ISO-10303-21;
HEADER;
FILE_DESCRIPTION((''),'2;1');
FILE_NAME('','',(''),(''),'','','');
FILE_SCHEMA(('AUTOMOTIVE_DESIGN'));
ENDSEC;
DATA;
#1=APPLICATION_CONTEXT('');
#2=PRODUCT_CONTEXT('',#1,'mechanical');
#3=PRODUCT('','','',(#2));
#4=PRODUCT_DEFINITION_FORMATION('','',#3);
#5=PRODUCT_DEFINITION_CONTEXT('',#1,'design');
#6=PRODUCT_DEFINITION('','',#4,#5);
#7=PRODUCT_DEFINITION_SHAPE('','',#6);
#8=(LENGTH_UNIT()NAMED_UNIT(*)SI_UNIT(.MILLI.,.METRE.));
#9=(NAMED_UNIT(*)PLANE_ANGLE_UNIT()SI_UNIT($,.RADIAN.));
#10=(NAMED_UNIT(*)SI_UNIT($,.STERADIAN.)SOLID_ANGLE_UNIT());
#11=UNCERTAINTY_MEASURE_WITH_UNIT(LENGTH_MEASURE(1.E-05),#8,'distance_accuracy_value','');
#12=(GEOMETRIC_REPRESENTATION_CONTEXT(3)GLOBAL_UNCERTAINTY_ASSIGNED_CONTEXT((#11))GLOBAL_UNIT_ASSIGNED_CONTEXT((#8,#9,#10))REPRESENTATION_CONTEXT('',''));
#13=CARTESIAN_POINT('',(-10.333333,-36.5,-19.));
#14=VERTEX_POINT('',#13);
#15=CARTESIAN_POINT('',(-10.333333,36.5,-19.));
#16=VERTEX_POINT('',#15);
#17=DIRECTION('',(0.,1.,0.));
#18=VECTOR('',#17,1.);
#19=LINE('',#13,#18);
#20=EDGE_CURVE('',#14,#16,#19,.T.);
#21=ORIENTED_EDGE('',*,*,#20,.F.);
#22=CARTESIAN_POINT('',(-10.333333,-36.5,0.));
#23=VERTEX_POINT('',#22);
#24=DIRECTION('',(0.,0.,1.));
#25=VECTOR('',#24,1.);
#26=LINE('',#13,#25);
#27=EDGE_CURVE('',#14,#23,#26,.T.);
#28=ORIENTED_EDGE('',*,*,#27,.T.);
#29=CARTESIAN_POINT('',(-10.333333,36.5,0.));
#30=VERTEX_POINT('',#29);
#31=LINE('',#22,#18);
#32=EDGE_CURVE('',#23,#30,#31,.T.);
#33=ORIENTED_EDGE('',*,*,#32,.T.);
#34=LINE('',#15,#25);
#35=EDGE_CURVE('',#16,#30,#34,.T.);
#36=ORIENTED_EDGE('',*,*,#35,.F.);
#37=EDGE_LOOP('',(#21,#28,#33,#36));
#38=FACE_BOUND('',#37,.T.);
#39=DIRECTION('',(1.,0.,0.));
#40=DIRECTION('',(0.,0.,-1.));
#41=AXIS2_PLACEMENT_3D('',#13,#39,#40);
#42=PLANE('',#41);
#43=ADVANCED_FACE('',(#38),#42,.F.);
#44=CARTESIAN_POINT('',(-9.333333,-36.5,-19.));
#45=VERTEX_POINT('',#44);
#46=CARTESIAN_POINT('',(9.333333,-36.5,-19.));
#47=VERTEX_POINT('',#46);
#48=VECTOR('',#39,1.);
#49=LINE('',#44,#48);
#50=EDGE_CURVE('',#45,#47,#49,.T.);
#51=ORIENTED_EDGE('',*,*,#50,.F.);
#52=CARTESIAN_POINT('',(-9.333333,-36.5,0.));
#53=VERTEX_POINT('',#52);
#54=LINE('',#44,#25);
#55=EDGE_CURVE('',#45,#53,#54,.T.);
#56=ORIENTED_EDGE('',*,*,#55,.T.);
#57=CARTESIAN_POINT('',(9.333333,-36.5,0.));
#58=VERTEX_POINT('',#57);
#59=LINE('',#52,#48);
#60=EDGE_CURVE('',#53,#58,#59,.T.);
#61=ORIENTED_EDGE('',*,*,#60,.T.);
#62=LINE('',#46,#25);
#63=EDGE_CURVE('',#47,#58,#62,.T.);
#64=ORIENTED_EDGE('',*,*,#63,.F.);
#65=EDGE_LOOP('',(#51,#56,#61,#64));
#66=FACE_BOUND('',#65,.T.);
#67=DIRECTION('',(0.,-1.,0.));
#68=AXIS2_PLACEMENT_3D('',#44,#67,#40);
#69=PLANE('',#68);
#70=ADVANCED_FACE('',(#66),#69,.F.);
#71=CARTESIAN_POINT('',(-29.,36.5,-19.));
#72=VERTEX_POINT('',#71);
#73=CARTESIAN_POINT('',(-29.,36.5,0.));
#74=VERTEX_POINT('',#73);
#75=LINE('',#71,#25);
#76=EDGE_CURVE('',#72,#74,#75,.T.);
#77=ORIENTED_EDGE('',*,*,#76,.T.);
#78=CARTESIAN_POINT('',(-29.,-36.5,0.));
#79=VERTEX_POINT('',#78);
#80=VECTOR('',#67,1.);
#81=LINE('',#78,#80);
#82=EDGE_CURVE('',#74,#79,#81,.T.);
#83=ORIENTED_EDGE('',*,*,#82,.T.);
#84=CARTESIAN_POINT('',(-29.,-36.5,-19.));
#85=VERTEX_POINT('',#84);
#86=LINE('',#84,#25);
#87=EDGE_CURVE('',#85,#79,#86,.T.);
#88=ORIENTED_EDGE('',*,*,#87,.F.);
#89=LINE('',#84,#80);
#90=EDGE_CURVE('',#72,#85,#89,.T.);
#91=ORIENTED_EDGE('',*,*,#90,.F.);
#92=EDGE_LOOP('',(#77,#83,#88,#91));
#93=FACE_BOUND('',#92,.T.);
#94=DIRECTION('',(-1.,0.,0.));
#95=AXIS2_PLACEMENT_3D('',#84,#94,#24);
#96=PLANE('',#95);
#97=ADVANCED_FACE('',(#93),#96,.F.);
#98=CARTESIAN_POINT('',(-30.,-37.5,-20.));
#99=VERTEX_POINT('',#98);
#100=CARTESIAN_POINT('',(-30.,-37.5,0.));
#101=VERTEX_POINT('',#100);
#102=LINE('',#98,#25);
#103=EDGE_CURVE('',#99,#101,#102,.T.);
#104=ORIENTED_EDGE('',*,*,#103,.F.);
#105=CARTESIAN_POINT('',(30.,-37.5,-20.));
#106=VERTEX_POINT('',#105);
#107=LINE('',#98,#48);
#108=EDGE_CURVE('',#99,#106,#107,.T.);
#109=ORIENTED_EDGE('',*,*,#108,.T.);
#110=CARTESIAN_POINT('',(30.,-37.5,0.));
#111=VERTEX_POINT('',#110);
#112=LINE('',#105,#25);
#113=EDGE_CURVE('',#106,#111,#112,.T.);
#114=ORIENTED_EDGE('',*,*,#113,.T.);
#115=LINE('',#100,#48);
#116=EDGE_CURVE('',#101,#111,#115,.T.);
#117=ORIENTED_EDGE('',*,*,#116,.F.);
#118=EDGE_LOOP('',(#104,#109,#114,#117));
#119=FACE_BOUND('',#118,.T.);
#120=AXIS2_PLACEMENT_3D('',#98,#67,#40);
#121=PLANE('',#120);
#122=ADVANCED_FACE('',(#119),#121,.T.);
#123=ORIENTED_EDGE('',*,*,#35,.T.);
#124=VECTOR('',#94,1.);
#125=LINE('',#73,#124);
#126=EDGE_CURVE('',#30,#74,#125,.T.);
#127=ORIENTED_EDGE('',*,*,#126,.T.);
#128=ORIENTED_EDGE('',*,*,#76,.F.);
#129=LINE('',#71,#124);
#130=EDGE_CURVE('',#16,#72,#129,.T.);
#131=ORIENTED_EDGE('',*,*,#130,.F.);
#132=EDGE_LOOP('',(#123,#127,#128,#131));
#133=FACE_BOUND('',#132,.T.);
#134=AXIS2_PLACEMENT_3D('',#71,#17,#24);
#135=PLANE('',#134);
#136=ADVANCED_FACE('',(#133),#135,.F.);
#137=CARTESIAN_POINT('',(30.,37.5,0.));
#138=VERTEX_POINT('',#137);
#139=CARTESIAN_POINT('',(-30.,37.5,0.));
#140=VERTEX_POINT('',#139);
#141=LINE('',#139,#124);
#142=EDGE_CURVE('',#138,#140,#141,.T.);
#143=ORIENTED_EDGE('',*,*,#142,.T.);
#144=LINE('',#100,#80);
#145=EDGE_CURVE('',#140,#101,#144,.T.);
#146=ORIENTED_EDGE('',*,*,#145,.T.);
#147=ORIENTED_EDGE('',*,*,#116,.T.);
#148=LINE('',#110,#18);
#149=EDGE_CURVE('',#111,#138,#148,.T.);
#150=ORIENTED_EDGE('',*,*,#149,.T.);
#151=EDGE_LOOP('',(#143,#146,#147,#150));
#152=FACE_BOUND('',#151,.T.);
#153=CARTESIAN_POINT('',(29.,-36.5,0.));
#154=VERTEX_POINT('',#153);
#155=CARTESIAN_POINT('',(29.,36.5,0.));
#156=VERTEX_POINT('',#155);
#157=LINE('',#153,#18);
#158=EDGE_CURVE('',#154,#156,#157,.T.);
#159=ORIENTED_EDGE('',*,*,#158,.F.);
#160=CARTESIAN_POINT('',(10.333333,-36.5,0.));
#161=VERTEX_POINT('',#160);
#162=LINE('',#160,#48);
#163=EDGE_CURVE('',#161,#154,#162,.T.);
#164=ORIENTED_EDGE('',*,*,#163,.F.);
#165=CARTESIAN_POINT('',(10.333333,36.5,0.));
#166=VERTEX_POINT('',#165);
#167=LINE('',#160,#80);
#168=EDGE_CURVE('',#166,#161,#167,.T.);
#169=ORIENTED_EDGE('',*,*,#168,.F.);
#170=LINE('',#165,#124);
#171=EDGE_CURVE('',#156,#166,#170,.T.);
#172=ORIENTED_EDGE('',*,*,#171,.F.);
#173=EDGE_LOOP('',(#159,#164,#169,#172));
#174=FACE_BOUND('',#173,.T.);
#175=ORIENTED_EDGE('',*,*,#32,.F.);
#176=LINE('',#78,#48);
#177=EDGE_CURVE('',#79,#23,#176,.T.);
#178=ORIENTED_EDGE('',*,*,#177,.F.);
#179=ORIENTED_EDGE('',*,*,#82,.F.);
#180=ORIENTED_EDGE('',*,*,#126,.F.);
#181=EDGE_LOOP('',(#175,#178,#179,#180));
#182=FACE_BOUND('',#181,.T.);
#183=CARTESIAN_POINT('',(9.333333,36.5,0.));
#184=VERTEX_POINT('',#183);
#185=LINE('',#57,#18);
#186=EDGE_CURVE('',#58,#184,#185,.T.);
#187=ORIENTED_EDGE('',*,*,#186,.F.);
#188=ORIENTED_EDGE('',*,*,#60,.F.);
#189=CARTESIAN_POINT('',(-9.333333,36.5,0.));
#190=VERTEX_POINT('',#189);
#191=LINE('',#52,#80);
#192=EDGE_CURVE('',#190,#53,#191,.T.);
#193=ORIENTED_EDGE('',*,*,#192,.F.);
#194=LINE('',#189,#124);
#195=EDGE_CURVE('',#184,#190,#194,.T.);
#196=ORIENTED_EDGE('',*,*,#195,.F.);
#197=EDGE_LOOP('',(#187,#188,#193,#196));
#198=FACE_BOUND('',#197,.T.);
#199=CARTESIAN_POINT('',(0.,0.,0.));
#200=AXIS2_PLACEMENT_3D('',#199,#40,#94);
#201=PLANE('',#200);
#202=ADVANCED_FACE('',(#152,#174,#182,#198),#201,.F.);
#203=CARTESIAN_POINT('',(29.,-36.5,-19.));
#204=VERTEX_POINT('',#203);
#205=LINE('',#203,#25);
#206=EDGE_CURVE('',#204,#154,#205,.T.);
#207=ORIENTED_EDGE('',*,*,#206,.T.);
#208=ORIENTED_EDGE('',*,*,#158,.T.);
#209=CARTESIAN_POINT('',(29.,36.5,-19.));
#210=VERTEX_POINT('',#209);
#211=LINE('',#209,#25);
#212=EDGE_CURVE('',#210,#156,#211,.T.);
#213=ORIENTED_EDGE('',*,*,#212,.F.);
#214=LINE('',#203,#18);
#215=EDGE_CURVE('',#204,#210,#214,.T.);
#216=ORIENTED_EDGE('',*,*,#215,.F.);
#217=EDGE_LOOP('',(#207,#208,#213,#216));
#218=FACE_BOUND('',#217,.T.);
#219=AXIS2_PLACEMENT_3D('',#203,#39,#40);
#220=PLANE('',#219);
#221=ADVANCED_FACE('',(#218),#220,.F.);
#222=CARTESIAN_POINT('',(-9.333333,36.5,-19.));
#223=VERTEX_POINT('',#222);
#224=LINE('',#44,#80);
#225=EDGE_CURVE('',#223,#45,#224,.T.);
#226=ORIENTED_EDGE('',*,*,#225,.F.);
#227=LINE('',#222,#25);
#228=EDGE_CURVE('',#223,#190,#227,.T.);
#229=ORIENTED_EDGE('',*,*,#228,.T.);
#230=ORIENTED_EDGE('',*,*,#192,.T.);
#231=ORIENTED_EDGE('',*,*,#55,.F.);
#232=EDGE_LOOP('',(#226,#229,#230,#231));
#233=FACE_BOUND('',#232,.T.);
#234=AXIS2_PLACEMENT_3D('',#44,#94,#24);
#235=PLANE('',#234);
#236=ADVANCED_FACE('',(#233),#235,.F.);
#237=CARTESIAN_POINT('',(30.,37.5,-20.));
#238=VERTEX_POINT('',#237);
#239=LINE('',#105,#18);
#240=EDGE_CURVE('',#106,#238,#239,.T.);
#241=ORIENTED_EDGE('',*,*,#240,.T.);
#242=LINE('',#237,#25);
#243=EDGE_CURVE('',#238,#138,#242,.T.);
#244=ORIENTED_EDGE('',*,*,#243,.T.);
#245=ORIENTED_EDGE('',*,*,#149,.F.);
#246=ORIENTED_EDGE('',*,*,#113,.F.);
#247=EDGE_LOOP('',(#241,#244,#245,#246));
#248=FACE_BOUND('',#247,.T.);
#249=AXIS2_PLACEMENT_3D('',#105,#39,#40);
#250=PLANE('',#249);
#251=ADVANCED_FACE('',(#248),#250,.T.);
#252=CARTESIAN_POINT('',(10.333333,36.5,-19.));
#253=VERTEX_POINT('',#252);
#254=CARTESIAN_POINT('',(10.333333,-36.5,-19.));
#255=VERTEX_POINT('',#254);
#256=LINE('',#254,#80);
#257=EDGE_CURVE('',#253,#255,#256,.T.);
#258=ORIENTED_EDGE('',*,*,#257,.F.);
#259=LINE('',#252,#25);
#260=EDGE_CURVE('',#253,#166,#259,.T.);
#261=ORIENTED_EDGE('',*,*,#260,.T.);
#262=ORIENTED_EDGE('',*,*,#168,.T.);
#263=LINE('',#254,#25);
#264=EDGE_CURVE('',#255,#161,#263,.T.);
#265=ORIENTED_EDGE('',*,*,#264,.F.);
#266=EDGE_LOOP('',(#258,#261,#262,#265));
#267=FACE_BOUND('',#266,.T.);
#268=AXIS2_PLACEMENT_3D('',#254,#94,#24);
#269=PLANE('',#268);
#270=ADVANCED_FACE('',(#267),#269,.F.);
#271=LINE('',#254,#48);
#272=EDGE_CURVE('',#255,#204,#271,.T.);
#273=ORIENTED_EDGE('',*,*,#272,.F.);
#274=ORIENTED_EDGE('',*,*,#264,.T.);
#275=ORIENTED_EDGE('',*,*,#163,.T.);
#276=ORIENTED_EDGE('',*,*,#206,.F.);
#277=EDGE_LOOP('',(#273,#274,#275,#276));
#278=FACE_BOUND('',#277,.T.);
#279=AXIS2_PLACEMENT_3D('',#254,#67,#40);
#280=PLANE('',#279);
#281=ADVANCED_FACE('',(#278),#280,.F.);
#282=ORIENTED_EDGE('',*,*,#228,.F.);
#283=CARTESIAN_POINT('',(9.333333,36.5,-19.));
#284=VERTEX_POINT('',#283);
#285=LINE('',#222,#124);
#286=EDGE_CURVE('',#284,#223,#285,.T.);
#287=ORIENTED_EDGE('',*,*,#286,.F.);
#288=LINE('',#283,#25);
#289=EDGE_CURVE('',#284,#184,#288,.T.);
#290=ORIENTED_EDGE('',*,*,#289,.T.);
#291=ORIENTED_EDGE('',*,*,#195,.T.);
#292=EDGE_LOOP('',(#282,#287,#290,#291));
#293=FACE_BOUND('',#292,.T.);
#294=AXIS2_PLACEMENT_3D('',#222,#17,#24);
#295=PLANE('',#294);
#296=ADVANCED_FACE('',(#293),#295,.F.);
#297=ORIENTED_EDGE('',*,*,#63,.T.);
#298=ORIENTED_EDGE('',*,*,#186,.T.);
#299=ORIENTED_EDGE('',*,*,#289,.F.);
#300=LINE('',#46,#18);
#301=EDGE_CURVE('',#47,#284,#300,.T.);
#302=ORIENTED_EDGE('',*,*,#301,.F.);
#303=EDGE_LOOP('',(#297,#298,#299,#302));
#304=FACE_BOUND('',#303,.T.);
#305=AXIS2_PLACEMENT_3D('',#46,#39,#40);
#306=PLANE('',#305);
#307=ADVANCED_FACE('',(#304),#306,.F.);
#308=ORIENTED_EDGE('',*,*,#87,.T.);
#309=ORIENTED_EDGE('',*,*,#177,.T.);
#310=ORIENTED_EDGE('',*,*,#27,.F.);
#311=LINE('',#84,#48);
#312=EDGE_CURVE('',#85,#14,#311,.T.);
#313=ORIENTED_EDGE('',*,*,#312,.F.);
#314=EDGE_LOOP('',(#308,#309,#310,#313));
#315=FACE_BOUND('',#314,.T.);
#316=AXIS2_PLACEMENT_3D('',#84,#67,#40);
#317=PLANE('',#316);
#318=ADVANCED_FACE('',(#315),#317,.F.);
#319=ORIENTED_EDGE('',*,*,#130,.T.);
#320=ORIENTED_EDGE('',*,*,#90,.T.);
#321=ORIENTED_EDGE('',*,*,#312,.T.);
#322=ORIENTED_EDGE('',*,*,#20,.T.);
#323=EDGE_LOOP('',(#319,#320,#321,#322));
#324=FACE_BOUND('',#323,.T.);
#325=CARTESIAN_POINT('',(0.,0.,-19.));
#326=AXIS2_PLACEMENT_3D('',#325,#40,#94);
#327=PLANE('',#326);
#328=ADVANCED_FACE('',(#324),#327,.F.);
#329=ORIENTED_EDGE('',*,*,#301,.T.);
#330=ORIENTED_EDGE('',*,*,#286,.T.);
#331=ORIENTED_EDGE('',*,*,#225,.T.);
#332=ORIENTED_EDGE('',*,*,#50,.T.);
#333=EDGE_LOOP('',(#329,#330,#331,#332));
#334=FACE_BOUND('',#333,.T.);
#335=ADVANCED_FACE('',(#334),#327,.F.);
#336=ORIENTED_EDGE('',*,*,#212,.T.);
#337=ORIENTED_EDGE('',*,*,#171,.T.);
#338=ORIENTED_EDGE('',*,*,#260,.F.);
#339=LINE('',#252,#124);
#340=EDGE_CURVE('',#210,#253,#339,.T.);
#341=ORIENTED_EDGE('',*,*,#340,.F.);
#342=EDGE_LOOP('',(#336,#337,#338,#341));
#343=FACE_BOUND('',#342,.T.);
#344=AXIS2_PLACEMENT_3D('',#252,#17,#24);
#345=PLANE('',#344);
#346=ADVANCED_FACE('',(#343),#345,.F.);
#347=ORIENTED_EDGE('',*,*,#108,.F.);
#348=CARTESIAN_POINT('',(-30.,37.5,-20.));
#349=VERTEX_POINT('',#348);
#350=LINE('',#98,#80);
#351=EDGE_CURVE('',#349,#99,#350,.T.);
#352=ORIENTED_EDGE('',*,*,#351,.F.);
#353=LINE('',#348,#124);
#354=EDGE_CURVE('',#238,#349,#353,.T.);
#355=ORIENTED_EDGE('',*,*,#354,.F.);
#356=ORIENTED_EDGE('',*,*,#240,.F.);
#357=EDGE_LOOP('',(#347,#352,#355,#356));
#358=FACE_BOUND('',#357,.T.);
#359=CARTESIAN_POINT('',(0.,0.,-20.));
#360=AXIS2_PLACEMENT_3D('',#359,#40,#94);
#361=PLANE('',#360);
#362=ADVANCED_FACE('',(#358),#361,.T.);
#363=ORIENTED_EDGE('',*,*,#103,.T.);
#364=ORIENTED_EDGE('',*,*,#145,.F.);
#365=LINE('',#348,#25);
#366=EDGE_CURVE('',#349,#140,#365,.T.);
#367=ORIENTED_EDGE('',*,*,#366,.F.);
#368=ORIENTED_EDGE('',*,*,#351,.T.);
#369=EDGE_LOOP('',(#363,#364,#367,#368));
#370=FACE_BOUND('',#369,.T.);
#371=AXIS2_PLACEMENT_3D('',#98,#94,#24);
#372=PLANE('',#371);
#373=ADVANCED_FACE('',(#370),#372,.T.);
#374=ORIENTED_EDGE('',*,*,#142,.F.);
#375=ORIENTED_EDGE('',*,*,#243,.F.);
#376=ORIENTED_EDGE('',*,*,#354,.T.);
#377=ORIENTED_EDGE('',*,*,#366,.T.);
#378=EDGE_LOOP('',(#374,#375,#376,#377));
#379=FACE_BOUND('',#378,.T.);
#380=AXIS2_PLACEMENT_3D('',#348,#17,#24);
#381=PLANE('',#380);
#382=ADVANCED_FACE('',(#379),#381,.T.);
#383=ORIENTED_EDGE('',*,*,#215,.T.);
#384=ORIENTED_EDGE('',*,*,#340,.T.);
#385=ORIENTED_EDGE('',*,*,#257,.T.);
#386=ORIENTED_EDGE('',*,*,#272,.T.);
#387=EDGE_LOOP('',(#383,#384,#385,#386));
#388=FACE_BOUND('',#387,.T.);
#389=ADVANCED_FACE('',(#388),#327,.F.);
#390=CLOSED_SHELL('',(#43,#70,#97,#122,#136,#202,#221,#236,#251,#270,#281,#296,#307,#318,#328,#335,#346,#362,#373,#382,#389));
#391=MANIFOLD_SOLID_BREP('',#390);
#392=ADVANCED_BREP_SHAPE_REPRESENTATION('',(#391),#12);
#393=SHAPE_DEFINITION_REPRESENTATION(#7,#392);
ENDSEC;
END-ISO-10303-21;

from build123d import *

# Parameters (mm, degrees)
SKETCH1_W           = 60
SKETCH1_H           = 75
BOSS_EXTRUDE1_DEPTH = 20
SKETCH2_W           = 18.666666667
SKETCH2_H           = 73
CUT_EXTRUDE1_DEPTH  = 19
SKETCH3_W           = 18.666666666
SKETCH3_H           = 73
CUT_EXTRUDE2_DEPTH  = 19
SKETCH4_W           = 18.666666667
SKETCH4_H           = 73
CUT_EXTRUDE3_DEPTH  = 19


with BuildPart() as part:
    # Sketch1 → Boss-Extrude1 (new body)
    with BuildSketch(Plane.XY):
        Rectangle(SKETCH1_W, SKETCH1_H)
    extrude(amount=-BOSS_EXTRUDE1_DEPTH)

    # Sketch2 → Cut-Extrude1 (cut)
    with BuildSketch(Plane.XY):
        with Locations((-19.666666667, 0)):
            Rectangle(SKETCH2_W, SKETCH2_H)
    extrude(amount=-CUT_EXTRUDE1_DEPTH, mode=Mode.SUBTRACT)

    # Sketch3 → Cut-Extrude2 (cut)
    with BuildSketch(Plane.XY):
        Rectangle(SKETCH3_W, SKETCH3_H)
    extrude(amount=-CUT_EXTRUDE2_DEPTH, mode=Mode.SUBTRACT)

    # Sketch4 → Cut-Extrude3 (cut)
    with BuildSketch(Plane.XY):
        with Locations((19.666666667, 0)):
            Rectangle(SKETCH4_W, SKETCH4_H)
    extrude(amount=-CUT_EXTRUDE3_DEPTH, mode=Mode.SUBTRACT)


solid = part.part
